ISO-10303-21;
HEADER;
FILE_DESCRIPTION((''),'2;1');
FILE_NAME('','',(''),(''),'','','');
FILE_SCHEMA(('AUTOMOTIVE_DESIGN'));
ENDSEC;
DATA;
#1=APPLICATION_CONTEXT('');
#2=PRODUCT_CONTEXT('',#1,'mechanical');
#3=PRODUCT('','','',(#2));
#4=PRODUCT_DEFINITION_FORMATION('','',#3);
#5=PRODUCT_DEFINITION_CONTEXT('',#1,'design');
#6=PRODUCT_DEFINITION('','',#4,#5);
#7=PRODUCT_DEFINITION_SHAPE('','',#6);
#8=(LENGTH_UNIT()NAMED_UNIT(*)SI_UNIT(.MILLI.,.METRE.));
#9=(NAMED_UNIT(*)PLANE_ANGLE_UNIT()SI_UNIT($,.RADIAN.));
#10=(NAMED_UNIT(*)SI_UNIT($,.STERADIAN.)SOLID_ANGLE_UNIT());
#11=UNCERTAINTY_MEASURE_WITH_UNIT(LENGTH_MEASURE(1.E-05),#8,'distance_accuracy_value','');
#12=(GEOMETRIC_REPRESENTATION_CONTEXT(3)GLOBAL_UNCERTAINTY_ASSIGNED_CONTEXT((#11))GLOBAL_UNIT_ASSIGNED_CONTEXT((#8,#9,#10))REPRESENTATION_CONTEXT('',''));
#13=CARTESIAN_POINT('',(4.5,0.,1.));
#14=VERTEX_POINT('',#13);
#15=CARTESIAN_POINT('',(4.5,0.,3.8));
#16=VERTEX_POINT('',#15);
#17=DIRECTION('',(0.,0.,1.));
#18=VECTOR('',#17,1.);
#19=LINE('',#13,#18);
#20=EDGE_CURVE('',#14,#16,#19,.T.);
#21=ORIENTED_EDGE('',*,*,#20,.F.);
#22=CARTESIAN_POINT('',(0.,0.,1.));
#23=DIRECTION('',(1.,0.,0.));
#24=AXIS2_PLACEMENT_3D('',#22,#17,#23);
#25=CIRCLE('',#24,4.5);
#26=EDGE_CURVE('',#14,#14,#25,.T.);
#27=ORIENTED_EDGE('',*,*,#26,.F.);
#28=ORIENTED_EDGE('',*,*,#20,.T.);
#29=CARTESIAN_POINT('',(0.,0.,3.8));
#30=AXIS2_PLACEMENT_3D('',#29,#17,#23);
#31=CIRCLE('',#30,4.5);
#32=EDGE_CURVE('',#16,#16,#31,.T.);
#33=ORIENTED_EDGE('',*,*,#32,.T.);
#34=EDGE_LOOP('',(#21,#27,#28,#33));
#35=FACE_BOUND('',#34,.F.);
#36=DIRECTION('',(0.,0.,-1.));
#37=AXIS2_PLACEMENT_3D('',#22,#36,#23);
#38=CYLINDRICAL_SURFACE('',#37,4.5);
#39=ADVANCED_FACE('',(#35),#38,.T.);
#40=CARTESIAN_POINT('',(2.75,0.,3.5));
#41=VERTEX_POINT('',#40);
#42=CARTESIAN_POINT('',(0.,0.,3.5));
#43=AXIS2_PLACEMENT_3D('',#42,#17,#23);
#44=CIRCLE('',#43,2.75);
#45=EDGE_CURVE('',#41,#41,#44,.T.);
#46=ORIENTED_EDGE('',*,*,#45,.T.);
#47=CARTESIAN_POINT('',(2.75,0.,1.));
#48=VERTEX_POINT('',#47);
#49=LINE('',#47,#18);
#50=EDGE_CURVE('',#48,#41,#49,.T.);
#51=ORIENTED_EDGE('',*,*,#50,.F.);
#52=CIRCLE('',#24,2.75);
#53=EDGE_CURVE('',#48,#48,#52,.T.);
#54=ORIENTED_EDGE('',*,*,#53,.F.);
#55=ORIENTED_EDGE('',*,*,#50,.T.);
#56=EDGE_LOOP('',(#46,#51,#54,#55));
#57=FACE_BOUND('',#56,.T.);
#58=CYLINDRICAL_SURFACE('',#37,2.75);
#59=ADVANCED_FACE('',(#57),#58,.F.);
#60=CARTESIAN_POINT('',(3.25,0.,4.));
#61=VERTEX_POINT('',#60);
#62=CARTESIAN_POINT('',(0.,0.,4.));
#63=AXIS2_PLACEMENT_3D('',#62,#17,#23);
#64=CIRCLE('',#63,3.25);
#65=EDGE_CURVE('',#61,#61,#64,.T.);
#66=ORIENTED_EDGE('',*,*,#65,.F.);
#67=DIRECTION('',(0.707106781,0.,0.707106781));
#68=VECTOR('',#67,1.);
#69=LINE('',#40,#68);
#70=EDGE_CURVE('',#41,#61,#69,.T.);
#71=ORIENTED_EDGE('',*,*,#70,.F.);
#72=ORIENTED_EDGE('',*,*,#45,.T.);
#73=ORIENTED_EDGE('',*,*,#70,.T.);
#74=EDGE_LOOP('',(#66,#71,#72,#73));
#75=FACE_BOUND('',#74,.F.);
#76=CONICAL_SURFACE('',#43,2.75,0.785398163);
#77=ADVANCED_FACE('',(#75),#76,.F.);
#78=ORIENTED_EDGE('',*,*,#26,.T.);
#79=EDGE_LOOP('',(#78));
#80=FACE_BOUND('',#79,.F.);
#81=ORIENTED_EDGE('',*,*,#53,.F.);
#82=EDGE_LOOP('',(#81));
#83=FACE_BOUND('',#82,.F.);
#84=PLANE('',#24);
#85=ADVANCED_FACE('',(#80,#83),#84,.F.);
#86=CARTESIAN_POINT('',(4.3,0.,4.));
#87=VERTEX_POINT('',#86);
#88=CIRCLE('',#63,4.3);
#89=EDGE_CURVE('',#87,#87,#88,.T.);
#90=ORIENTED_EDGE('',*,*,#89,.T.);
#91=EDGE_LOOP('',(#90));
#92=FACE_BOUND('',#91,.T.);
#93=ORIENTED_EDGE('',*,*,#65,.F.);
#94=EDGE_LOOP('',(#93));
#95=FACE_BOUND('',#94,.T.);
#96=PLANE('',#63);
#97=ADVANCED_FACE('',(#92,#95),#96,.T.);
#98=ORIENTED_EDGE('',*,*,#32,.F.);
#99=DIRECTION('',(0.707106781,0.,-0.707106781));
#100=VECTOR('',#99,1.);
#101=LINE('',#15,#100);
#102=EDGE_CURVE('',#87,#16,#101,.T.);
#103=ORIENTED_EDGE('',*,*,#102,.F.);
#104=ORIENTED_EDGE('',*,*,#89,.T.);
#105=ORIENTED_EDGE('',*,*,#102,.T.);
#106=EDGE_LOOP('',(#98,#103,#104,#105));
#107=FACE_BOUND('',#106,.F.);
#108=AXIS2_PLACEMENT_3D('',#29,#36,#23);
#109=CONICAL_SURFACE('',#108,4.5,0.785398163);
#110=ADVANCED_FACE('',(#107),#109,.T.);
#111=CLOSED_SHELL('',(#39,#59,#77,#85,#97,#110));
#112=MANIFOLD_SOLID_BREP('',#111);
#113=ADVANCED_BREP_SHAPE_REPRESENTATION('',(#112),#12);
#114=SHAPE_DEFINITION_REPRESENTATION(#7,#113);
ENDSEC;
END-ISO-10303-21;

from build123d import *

# Parameters (mm, degrees)
SKETCH014_R     = 4.5
SKETCH014_R_2   = 2.75
PAD007_DEPTH    = 3
CHAMFER001_SIZE = 0.5
CHAMFER002_SIZE = 0.2


with BuildPart() as part:
    # Sketch014 → Pad007 (new body)
    with BuildSketch(Plane.XY):
        Circle(SKETCH014_R)
        Circle(SKETCH014_R_2, mode=Mode.SUBTRACT)
    extrude(amount=PAD007_DEPTH)

    # Chamfer001
    chamfer001_edges = [part.edges().sort_by_distance(p)[0] for p in [
        (-2.75, 0, 3),
    ]]
    chamfer(chamfer001_edges, length=CHAMFER001_SIZE)

    # Chamfer002
    chamfer002_edges = [part.edges().sort_by_distance(p)[0] for p in [
        (-4.5, 0, 3),
    ]]
    chamfer(chamfer002_edges, length=CHAMFER002_SIZE)


with BuildPart() as part_1:
    # Body003 placement: moved
    add(part.part.moved(Location((0, 0, 1))))


solid = part_1.part
